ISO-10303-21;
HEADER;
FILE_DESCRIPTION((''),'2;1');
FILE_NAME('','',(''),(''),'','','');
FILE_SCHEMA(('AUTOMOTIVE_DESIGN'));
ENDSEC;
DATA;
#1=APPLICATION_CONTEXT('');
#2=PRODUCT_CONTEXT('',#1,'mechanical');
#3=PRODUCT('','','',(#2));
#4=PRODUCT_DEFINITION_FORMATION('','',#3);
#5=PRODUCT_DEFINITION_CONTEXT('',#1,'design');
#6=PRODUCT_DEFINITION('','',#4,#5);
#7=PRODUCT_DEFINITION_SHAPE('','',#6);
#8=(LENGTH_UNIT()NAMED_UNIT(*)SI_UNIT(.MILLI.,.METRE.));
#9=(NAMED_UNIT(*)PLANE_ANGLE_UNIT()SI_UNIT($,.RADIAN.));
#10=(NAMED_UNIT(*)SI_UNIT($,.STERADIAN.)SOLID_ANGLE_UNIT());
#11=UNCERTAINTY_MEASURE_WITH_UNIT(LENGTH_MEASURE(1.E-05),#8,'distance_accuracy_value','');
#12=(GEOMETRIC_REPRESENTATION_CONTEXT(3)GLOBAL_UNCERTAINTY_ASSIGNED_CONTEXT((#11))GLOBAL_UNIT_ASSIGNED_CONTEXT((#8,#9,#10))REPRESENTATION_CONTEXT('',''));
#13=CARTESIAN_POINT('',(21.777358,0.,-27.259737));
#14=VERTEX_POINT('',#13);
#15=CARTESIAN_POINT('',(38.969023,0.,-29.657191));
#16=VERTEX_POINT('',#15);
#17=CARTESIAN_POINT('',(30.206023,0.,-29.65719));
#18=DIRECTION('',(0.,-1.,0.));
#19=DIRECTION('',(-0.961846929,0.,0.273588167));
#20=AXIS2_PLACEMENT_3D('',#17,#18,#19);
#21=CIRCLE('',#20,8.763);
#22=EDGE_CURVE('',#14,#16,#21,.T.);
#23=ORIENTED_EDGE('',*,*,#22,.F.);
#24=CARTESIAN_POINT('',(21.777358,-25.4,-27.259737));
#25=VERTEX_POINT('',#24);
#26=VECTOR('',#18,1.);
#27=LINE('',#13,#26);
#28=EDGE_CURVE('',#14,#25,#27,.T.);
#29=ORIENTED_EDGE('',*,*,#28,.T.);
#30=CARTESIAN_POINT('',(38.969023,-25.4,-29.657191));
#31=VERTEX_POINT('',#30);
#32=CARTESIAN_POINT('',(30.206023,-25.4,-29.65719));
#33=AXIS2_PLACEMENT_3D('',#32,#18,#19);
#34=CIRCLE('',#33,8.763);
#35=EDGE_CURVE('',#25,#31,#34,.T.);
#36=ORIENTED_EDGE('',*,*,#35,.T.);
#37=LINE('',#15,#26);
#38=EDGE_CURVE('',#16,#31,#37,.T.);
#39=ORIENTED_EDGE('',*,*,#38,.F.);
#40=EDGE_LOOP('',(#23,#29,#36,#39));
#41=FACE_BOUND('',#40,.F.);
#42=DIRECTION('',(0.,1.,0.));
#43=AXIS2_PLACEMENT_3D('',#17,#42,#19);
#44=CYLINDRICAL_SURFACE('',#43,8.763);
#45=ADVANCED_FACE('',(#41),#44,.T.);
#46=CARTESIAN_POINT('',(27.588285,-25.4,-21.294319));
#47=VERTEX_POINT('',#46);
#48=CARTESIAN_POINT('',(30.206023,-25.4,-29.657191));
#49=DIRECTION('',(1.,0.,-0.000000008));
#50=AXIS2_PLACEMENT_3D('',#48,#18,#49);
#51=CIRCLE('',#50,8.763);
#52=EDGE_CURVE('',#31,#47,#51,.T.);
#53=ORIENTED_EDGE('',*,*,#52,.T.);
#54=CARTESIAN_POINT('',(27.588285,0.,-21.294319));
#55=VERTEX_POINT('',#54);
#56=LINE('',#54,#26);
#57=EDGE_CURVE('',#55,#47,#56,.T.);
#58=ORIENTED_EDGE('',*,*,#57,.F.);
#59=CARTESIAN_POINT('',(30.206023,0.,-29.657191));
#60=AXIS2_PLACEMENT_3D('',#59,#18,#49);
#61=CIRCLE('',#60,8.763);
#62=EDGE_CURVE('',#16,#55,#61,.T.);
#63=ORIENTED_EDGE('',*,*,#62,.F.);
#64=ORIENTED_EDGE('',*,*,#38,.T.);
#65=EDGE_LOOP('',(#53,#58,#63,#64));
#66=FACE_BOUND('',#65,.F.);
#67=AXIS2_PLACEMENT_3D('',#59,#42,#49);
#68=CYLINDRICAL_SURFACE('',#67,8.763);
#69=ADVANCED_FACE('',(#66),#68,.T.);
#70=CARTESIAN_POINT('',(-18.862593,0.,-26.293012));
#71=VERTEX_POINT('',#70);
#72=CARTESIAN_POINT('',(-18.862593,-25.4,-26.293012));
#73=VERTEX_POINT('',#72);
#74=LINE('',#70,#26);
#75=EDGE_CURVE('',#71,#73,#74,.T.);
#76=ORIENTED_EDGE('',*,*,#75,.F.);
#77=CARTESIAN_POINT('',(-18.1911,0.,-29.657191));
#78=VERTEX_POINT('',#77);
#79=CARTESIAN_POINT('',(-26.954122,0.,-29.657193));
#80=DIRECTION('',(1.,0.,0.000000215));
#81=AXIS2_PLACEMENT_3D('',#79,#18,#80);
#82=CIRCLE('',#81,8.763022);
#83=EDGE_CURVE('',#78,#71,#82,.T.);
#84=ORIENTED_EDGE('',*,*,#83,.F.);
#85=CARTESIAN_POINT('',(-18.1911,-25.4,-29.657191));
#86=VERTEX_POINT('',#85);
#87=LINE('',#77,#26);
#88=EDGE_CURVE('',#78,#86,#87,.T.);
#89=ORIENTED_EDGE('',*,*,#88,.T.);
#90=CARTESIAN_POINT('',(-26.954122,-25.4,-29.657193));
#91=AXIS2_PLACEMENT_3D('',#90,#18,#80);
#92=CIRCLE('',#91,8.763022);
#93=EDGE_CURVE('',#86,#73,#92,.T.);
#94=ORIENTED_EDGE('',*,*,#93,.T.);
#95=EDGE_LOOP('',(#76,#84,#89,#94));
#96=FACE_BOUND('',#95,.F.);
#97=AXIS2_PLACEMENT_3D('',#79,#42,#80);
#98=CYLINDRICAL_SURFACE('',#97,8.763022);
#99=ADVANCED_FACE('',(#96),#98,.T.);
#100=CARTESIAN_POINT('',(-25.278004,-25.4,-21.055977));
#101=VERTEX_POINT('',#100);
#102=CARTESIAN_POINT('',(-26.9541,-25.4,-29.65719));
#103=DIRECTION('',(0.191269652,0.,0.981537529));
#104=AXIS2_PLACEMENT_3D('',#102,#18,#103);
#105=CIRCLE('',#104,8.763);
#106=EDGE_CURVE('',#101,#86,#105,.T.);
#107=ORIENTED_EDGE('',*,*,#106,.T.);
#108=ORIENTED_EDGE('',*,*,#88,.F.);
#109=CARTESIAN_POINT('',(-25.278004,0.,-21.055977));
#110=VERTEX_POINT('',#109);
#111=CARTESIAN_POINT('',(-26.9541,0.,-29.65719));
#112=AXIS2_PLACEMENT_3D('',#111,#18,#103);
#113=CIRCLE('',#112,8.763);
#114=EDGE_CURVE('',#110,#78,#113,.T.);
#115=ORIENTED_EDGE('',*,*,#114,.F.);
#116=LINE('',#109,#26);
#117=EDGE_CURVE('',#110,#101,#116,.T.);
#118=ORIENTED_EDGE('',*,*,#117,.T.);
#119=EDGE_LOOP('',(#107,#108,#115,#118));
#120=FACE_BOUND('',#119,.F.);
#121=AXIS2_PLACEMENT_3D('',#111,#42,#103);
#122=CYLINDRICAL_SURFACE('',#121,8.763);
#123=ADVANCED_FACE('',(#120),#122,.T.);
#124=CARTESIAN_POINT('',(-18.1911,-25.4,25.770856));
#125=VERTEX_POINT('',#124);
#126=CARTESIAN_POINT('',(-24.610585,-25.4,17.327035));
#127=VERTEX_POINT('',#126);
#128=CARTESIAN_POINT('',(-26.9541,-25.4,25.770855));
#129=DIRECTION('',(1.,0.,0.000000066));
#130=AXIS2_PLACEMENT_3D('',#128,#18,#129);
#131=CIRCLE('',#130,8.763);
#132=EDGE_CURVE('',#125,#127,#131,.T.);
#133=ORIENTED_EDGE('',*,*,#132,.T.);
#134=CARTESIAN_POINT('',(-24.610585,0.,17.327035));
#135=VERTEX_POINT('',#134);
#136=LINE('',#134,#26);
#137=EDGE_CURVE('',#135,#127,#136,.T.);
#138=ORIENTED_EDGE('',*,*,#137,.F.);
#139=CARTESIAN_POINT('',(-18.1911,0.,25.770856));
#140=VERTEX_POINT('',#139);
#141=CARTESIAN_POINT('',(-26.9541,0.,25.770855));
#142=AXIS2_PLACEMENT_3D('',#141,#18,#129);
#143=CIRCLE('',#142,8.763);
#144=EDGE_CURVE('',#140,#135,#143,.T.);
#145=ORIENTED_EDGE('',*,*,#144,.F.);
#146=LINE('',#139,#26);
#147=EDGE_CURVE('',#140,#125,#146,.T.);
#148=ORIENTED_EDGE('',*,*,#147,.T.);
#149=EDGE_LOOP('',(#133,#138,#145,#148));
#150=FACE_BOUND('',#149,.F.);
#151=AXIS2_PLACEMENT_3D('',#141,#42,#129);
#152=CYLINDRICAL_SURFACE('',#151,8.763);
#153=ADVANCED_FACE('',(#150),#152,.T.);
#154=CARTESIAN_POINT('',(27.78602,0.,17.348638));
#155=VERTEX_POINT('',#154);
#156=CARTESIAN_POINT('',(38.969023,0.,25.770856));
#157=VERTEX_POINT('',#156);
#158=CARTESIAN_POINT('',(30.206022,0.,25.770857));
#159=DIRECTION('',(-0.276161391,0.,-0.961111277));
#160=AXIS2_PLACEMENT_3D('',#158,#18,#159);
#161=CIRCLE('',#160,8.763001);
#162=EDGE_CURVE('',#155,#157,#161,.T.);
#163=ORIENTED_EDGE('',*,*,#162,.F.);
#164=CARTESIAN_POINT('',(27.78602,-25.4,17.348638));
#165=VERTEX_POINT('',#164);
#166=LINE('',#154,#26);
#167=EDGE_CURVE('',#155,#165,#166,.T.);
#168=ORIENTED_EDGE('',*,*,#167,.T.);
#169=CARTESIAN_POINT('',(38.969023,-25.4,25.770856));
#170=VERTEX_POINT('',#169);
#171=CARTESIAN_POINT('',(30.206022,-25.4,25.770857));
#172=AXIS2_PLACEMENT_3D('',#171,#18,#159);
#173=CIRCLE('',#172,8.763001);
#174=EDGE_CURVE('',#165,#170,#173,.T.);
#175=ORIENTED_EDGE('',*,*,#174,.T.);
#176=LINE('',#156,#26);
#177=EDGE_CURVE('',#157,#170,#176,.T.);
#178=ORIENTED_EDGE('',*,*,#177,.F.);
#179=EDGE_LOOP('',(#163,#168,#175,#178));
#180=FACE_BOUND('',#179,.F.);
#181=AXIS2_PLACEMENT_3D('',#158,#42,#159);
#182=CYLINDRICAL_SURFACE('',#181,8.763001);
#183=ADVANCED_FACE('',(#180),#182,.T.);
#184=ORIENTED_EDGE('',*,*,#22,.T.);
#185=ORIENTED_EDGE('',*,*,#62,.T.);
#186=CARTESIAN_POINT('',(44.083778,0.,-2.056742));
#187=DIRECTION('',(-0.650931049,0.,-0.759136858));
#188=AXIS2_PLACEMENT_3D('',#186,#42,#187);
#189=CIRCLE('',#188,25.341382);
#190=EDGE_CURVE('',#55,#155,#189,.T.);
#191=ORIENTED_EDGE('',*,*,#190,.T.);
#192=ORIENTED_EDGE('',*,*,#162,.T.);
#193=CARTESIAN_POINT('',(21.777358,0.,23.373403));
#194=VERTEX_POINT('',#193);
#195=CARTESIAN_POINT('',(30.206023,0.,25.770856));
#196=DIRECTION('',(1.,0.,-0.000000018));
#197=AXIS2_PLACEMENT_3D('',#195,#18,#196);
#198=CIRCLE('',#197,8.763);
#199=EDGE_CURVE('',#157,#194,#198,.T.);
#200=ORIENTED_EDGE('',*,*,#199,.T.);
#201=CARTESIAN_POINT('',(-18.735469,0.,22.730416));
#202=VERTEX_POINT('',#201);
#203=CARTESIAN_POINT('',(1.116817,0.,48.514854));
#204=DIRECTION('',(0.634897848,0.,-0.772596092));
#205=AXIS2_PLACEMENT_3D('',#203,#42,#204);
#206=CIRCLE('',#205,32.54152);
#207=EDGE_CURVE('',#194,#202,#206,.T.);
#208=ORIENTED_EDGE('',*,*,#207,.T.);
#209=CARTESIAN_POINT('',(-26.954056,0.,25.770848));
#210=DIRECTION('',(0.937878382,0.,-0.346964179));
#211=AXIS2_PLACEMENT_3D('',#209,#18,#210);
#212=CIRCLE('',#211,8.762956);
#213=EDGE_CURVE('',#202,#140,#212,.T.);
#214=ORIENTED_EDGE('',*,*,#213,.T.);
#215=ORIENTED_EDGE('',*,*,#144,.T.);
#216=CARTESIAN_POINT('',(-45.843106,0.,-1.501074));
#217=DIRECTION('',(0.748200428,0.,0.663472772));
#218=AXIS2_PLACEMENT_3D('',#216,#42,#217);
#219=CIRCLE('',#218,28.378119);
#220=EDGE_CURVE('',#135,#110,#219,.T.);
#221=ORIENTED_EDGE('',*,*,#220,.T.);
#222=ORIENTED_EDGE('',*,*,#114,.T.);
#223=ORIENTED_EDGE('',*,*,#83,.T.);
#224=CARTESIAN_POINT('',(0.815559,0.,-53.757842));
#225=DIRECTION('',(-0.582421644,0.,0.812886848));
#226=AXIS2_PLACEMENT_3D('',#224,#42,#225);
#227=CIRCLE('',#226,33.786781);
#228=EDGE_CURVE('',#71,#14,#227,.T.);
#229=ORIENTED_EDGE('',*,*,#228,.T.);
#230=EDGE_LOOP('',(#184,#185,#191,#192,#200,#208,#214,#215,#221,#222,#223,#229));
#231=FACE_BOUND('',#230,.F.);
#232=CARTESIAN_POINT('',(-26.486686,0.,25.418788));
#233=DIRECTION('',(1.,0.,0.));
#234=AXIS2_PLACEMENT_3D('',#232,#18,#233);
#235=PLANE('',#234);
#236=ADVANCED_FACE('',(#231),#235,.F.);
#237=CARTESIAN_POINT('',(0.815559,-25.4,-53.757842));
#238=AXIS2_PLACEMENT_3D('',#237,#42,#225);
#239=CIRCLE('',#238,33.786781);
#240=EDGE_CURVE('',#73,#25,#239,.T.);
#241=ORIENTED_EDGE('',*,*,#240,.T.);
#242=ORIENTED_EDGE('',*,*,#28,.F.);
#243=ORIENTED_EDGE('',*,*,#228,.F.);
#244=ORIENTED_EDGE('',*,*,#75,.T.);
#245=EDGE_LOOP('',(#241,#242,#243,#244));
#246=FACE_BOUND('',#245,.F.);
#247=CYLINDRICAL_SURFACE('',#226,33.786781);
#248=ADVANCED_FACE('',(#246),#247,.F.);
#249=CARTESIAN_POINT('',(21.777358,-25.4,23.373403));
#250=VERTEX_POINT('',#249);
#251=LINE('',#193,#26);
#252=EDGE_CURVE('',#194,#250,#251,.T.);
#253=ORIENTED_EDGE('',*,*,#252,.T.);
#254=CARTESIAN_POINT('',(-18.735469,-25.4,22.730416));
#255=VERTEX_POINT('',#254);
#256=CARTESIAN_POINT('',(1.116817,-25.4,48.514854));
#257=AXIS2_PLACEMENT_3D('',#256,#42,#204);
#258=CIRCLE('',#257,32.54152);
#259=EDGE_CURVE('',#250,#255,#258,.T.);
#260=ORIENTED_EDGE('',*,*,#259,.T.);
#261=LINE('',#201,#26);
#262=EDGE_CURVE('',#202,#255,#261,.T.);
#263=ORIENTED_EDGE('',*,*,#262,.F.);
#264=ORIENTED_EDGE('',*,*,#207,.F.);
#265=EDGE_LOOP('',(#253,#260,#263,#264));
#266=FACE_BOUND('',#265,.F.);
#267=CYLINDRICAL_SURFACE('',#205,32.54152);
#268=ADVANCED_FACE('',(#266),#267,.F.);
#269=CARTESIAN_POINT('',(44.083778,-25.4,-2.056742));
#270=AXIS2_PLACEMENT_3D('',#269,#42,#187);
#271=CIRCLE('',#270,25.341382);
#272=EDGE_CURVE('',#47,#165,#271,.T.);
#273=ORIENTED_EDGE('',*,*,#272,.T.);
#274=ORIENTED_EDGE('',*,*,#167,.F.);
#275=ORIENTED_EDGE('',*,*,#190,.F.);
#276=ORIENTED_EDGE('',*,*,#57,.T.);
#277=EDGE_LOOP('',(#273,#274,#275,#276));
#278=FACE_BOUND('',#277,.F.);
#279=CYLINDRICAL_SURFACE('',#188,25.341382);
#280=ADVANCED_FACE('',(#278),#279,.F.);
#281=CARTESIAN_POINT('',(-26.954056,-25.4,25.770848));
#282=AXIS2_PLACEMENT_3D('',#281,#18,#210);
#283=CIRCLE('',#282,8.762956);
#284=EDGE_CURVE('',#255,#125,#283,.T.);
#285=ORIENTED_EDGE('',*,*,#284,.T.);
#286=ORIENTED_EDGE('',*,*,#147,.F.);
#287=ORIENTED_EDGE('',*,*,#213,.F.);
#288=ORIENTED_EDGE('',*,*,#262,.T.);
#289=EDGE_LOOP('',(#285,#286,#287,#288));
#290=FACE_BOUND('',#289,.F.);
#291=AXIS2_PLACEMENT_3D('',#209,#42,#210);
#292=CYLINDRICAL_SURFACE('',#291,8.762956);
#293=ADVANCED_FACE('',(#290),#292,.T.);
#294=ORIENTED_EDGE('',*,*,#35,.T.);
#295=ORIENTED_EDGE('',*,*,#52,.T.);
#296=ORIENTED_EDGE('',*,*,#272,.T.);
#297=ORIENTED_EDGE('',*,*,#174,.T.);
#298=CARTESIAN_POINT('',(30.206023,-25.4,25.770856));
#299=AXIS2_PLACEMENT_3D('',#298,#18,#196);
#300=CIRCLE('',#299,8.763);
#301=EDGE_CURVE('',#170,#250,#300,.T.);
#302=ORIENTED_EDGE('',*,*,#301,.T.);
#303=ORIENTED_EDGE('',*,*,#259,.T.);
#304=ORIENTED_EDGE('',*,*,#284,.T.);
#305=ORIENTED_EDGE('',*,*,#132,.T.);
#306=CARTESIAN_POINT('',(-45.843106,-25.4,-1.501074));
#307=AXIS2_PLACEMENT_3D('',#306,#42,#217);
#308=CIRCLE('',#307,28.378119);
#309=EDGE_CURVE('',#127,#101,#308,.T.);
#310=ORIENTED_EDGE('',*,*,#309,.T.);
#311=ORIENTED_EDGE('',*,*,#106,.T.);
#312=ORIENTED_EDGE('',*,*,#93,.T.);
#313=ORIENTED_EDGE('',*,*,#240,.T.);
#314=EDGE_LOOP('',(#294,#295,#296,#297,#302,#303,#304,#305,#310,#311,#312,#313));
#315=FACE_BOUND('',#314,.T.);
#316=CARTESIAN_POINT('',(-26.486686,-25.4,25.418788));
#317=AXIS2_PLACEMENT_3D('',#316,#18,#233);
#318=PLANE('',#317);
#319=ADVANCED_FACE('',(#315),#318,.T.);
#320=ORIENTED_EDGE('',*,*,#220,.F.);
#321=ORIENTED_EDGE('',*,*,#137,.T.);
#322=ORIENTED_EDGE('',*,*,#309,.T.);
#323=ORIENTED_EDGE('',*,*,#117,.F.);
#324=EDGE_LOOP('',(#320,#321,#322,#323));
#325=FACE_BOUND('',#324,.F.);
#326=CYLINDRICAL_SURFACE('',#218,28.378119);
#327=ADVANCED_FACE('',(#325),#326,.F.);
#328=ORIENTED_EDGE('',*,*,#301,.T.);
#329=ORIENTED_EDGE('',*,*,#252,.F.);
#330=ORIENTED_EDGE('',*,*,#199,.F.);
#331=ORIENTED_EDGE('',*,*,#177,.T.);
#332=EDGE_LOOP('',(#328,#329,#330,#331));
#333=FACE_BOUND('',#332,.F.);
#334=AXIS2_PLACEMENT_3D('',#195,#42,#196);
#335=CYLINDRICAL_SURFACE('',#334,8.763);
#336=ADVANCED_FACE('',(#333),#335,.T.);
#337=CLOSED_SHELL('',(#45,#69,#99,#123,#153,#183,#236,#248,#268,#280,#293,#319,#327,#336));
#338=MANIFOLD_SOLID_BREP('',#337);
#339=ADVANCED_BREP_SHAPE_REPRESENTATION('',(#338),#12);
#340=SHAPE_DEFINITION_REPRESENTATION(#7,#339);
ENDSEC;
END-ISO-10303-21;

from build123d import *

# Parameters (mm, degrees)
F1_DEPTH = 25.4


with BuildPart() as f1:
    # F0 (on Front) → F1 (new body)
    with BuildSketch(Plane.XZ):
        with BuildLine():
            ThreePointArc((-18.735469, 22.730416), (-18.328265, 24.226462), (-18.1911, 25.770856))
            ThreePointArc((-18.1911, 25.770856), (-33.93, 31.074343), (-24.610585, 17.327035))
            ThreePointArc((-24.610585, 17.327035), (-21.02208, 19.320948), (-18.735469, 22.730416))
        make_face()
        with BuildLine():
            ThreePointArc((-18.735469, 22.730416), (-21.02208, 19.320948), (-24.610585, 17.327035))
            ThreePointArc((-24.610585, 17.327035), (-17.469276, -1.99445), (-25.278004, -21.055977))
            ThreePointArc((-25.278004, -21.055977), (-21.412607, -22.868816), (-18.862593, -26.293012))
            ThreePointArc((-18.862593, -26.293012), (1.619037, -19.980616), (21.777358, -27.259737))
            ThreePointArc((21.777358, -27.259737), (23.928897, -23.542629), (27.588285, -21.294319))
            ThreePointArc((27.588285, -21.294319), (18.742727, -1.927072), (27.78602, 17.348638))
            ThreePointArc((27.78602, 17.348638), (24.00136, 19.582777), (21.777358, 23.373403))
            ThreePointArc((21.777358, 23.373403), (1.633225, 15.977432), (-18.735469, 22.730416))
        make_face()
        with BuildLine():
            ThreePointArc((-18.862593, -26.293012), (-21.412607, -22.868816), (-25.278004, -21.055977))
            ThreePointArc((-25.278004, -21.055977), (-33.717153, -35.229558), (-18.1911, -29.657191))
            ThreePointArc((-18.1911, -29.657191), (-18.360613, -27.941921), (-18.862593, -26.293012))
        make_face()
        with BuildLine():
            ThreePointArc((38.969023, 25.770856), (28.995696, 34.44987), (21.777358, 23.373403))
            ThreePointArc((21.777358, 23.373403), (24.00136, 19.582777), (27.78602, 17.348638))
            ThreePointArc((27.78602, 17.348638), (35.47782, 18.770976), (38.969023, 25.770856))
        make_face()
        with BuildLine():
            ThreePointArc((27.588285, -21.294319), (23.928897, -23.542629), (21.777358, -27.259737))
            ThreePointArc((21.777358, -27.259737), (28.995696, -38.336204), (38.969023, -29.657191))
            ThreePointArc((38.969023, -29.657191), (35.394998, -22.595696), (27.588285, -21.294319))
        make_face()
    extrude(amount=F1_DEPTH)


solid = f1.part
